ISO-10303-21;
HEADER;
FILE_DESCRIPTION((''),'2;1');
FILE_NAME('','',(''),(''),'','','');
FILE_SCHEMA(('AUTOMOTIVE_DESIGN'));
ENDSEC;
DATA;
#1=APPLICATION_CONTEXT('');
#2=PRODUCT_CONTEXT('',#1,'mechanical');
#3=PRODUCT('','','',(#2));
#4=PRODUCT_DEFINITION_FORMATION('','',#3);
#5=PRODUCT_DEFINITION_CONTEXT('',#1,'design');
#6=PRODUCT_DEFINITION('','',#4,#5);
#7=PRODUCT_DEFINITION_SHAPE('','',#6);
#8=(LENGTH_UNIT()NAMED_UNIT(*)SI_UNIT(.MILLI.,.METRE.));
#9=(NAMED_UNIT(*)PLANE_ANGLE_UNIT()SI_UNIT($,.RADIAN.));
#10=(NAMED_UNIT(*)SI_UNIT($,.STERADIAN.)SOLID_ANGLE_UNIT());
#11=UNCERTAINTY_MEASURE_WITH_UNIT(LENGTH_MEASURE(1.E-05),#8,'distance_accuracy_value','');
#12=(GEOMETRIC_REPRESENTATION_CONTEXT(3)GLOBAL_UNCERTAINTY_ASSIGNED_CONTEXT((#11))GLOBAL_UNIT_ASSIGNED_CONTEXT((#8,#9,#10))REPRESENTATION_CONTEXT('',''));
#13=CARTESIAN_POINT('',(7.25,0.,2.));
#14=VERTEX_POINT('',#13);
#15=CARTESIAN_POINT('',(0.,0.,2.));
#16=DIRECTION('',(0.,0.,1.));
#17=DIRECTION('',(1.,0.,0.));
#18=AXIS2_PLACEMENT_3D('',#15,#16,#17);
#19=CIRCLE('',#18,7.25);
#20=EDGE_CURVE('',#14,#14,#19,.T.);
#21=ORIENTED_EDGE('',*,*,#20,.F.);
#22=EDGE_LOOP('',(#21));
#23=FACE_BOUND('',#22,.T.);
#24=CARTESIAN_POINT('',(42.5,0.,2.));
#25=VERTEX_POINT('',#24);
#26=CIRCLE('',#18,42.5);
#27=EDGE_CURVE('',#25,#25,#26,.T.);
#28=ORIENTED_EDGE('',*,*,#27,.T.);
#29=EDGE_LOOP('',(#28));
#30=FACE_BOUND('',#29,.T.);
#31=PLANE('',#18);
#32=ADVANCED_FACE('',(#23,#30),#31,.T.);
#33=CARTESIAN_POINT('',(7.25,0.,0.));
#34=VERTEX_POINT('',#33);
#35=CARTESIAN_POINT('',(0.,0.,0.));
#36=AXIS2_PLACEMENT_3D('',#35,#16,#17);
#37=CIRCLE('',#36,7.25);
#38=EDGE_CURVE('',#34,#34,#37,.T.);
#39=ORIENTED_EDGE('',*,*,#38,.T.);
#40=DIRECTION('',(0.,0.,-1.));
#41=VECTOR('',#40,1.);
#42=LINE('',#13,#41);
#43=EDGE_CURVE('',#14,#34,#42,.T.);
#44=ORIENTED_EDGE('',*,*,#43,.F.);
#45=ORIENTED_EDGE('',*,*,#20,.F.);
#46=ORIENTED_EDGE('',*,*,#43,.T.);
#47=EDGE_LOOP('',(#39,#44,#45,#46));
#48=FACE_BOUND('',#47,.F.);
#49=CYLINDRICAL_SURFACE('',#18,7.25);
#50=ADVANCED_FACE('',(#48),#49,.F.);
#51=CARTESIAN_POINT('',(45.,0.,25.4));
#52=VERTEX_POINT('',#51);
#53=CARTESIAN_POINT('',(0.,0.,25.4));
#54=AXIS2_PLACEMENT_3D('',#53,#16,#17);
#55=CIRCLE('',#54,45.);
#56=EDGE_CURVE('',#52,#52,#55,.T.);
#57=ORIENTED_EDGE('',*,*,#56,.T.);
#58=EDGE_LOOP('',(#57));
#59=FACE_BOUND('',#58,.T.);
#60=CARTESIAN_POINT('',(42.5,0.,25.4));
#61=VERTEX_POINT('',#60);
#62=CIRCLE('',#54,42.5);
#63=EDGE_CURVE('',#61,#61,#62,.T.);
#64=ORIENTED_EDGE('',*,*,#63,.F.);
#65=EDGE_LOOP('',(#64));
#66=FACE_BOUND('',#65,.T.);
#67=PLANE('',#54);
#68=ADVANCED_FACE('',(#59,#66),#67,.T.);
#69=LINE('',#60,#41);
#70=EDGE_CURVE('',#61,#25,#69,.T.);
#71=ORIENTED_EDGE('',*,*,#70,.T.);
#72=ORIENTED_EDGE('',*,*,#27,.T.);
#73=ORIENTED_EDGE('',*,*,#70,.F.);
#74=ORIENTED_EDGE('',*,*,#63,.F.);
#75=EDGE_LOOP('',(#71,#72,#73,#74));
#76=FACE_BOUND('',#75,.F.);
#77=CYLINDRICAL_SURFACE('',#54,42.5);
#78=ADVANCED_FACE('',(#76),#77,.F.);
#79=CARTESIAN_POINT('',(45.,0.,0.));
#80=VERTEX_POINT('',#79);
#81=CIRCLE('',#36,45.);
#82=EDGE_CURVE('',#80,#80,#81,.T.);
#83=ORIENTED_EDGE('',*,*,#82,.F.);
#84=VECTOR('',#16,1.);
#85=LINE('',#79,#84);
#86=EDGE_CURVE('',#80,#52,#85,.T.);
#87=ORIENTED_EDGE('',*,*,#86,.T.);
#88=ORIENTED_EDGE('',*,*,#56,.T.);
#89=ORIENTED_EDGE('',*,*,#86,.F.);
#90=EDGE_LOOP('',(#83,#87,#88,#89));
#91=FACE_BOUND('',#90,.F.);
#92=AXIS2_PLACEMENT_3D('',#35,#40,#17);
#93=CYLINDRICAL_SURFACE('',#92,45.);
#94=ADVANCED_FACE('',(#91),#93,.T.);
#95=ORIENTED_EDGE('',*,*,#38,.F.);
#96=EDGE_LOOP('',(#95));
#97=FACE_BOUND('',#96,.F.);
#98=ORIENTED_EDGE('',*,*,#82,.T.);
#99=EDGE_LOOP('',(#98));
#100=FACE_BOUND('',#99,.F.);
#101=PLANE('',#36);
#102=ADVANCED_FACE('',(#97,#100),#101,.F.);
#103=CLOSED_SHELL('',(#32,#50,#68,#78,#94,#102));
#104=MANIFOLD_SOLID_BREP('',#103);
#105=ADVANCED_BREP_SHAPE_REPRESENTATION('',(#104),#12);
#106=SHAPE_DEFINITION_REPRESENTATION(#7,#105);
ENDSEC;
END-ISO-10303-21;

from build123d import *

# Parameters (mm, degrees)
F0_R     = 45
F1_DEPTH = 25.4
F2_R     = 42.5
F3_DEPTH = 23.4
F4_R     = 7.25
F5_DEPTH = 25


with BuildPart() as f1:
    # F0 (on Top) → F1 (new body)
    with BuildSketch(Plane.XY):
        Circle(F0_R)
    extrude(amount=F1_DEPTH)

    # F2 (on face) → F3 (cut, through all)
    with BuildSketch(Plane.XY.offset(25.4)):
        Circle(F2_R)
    extrude(amount=-F3_DEPTH, mode=Mode.SUBTRACT)

    # F4 (on face) → F5 (cut)
    with BuildSketch(Plane.XY.offset(2)):
        Circle(F4_R)
    extrude(amount=-F5_DEPTH, mode=Mode.SUBTRACT)


solid = f1.part
